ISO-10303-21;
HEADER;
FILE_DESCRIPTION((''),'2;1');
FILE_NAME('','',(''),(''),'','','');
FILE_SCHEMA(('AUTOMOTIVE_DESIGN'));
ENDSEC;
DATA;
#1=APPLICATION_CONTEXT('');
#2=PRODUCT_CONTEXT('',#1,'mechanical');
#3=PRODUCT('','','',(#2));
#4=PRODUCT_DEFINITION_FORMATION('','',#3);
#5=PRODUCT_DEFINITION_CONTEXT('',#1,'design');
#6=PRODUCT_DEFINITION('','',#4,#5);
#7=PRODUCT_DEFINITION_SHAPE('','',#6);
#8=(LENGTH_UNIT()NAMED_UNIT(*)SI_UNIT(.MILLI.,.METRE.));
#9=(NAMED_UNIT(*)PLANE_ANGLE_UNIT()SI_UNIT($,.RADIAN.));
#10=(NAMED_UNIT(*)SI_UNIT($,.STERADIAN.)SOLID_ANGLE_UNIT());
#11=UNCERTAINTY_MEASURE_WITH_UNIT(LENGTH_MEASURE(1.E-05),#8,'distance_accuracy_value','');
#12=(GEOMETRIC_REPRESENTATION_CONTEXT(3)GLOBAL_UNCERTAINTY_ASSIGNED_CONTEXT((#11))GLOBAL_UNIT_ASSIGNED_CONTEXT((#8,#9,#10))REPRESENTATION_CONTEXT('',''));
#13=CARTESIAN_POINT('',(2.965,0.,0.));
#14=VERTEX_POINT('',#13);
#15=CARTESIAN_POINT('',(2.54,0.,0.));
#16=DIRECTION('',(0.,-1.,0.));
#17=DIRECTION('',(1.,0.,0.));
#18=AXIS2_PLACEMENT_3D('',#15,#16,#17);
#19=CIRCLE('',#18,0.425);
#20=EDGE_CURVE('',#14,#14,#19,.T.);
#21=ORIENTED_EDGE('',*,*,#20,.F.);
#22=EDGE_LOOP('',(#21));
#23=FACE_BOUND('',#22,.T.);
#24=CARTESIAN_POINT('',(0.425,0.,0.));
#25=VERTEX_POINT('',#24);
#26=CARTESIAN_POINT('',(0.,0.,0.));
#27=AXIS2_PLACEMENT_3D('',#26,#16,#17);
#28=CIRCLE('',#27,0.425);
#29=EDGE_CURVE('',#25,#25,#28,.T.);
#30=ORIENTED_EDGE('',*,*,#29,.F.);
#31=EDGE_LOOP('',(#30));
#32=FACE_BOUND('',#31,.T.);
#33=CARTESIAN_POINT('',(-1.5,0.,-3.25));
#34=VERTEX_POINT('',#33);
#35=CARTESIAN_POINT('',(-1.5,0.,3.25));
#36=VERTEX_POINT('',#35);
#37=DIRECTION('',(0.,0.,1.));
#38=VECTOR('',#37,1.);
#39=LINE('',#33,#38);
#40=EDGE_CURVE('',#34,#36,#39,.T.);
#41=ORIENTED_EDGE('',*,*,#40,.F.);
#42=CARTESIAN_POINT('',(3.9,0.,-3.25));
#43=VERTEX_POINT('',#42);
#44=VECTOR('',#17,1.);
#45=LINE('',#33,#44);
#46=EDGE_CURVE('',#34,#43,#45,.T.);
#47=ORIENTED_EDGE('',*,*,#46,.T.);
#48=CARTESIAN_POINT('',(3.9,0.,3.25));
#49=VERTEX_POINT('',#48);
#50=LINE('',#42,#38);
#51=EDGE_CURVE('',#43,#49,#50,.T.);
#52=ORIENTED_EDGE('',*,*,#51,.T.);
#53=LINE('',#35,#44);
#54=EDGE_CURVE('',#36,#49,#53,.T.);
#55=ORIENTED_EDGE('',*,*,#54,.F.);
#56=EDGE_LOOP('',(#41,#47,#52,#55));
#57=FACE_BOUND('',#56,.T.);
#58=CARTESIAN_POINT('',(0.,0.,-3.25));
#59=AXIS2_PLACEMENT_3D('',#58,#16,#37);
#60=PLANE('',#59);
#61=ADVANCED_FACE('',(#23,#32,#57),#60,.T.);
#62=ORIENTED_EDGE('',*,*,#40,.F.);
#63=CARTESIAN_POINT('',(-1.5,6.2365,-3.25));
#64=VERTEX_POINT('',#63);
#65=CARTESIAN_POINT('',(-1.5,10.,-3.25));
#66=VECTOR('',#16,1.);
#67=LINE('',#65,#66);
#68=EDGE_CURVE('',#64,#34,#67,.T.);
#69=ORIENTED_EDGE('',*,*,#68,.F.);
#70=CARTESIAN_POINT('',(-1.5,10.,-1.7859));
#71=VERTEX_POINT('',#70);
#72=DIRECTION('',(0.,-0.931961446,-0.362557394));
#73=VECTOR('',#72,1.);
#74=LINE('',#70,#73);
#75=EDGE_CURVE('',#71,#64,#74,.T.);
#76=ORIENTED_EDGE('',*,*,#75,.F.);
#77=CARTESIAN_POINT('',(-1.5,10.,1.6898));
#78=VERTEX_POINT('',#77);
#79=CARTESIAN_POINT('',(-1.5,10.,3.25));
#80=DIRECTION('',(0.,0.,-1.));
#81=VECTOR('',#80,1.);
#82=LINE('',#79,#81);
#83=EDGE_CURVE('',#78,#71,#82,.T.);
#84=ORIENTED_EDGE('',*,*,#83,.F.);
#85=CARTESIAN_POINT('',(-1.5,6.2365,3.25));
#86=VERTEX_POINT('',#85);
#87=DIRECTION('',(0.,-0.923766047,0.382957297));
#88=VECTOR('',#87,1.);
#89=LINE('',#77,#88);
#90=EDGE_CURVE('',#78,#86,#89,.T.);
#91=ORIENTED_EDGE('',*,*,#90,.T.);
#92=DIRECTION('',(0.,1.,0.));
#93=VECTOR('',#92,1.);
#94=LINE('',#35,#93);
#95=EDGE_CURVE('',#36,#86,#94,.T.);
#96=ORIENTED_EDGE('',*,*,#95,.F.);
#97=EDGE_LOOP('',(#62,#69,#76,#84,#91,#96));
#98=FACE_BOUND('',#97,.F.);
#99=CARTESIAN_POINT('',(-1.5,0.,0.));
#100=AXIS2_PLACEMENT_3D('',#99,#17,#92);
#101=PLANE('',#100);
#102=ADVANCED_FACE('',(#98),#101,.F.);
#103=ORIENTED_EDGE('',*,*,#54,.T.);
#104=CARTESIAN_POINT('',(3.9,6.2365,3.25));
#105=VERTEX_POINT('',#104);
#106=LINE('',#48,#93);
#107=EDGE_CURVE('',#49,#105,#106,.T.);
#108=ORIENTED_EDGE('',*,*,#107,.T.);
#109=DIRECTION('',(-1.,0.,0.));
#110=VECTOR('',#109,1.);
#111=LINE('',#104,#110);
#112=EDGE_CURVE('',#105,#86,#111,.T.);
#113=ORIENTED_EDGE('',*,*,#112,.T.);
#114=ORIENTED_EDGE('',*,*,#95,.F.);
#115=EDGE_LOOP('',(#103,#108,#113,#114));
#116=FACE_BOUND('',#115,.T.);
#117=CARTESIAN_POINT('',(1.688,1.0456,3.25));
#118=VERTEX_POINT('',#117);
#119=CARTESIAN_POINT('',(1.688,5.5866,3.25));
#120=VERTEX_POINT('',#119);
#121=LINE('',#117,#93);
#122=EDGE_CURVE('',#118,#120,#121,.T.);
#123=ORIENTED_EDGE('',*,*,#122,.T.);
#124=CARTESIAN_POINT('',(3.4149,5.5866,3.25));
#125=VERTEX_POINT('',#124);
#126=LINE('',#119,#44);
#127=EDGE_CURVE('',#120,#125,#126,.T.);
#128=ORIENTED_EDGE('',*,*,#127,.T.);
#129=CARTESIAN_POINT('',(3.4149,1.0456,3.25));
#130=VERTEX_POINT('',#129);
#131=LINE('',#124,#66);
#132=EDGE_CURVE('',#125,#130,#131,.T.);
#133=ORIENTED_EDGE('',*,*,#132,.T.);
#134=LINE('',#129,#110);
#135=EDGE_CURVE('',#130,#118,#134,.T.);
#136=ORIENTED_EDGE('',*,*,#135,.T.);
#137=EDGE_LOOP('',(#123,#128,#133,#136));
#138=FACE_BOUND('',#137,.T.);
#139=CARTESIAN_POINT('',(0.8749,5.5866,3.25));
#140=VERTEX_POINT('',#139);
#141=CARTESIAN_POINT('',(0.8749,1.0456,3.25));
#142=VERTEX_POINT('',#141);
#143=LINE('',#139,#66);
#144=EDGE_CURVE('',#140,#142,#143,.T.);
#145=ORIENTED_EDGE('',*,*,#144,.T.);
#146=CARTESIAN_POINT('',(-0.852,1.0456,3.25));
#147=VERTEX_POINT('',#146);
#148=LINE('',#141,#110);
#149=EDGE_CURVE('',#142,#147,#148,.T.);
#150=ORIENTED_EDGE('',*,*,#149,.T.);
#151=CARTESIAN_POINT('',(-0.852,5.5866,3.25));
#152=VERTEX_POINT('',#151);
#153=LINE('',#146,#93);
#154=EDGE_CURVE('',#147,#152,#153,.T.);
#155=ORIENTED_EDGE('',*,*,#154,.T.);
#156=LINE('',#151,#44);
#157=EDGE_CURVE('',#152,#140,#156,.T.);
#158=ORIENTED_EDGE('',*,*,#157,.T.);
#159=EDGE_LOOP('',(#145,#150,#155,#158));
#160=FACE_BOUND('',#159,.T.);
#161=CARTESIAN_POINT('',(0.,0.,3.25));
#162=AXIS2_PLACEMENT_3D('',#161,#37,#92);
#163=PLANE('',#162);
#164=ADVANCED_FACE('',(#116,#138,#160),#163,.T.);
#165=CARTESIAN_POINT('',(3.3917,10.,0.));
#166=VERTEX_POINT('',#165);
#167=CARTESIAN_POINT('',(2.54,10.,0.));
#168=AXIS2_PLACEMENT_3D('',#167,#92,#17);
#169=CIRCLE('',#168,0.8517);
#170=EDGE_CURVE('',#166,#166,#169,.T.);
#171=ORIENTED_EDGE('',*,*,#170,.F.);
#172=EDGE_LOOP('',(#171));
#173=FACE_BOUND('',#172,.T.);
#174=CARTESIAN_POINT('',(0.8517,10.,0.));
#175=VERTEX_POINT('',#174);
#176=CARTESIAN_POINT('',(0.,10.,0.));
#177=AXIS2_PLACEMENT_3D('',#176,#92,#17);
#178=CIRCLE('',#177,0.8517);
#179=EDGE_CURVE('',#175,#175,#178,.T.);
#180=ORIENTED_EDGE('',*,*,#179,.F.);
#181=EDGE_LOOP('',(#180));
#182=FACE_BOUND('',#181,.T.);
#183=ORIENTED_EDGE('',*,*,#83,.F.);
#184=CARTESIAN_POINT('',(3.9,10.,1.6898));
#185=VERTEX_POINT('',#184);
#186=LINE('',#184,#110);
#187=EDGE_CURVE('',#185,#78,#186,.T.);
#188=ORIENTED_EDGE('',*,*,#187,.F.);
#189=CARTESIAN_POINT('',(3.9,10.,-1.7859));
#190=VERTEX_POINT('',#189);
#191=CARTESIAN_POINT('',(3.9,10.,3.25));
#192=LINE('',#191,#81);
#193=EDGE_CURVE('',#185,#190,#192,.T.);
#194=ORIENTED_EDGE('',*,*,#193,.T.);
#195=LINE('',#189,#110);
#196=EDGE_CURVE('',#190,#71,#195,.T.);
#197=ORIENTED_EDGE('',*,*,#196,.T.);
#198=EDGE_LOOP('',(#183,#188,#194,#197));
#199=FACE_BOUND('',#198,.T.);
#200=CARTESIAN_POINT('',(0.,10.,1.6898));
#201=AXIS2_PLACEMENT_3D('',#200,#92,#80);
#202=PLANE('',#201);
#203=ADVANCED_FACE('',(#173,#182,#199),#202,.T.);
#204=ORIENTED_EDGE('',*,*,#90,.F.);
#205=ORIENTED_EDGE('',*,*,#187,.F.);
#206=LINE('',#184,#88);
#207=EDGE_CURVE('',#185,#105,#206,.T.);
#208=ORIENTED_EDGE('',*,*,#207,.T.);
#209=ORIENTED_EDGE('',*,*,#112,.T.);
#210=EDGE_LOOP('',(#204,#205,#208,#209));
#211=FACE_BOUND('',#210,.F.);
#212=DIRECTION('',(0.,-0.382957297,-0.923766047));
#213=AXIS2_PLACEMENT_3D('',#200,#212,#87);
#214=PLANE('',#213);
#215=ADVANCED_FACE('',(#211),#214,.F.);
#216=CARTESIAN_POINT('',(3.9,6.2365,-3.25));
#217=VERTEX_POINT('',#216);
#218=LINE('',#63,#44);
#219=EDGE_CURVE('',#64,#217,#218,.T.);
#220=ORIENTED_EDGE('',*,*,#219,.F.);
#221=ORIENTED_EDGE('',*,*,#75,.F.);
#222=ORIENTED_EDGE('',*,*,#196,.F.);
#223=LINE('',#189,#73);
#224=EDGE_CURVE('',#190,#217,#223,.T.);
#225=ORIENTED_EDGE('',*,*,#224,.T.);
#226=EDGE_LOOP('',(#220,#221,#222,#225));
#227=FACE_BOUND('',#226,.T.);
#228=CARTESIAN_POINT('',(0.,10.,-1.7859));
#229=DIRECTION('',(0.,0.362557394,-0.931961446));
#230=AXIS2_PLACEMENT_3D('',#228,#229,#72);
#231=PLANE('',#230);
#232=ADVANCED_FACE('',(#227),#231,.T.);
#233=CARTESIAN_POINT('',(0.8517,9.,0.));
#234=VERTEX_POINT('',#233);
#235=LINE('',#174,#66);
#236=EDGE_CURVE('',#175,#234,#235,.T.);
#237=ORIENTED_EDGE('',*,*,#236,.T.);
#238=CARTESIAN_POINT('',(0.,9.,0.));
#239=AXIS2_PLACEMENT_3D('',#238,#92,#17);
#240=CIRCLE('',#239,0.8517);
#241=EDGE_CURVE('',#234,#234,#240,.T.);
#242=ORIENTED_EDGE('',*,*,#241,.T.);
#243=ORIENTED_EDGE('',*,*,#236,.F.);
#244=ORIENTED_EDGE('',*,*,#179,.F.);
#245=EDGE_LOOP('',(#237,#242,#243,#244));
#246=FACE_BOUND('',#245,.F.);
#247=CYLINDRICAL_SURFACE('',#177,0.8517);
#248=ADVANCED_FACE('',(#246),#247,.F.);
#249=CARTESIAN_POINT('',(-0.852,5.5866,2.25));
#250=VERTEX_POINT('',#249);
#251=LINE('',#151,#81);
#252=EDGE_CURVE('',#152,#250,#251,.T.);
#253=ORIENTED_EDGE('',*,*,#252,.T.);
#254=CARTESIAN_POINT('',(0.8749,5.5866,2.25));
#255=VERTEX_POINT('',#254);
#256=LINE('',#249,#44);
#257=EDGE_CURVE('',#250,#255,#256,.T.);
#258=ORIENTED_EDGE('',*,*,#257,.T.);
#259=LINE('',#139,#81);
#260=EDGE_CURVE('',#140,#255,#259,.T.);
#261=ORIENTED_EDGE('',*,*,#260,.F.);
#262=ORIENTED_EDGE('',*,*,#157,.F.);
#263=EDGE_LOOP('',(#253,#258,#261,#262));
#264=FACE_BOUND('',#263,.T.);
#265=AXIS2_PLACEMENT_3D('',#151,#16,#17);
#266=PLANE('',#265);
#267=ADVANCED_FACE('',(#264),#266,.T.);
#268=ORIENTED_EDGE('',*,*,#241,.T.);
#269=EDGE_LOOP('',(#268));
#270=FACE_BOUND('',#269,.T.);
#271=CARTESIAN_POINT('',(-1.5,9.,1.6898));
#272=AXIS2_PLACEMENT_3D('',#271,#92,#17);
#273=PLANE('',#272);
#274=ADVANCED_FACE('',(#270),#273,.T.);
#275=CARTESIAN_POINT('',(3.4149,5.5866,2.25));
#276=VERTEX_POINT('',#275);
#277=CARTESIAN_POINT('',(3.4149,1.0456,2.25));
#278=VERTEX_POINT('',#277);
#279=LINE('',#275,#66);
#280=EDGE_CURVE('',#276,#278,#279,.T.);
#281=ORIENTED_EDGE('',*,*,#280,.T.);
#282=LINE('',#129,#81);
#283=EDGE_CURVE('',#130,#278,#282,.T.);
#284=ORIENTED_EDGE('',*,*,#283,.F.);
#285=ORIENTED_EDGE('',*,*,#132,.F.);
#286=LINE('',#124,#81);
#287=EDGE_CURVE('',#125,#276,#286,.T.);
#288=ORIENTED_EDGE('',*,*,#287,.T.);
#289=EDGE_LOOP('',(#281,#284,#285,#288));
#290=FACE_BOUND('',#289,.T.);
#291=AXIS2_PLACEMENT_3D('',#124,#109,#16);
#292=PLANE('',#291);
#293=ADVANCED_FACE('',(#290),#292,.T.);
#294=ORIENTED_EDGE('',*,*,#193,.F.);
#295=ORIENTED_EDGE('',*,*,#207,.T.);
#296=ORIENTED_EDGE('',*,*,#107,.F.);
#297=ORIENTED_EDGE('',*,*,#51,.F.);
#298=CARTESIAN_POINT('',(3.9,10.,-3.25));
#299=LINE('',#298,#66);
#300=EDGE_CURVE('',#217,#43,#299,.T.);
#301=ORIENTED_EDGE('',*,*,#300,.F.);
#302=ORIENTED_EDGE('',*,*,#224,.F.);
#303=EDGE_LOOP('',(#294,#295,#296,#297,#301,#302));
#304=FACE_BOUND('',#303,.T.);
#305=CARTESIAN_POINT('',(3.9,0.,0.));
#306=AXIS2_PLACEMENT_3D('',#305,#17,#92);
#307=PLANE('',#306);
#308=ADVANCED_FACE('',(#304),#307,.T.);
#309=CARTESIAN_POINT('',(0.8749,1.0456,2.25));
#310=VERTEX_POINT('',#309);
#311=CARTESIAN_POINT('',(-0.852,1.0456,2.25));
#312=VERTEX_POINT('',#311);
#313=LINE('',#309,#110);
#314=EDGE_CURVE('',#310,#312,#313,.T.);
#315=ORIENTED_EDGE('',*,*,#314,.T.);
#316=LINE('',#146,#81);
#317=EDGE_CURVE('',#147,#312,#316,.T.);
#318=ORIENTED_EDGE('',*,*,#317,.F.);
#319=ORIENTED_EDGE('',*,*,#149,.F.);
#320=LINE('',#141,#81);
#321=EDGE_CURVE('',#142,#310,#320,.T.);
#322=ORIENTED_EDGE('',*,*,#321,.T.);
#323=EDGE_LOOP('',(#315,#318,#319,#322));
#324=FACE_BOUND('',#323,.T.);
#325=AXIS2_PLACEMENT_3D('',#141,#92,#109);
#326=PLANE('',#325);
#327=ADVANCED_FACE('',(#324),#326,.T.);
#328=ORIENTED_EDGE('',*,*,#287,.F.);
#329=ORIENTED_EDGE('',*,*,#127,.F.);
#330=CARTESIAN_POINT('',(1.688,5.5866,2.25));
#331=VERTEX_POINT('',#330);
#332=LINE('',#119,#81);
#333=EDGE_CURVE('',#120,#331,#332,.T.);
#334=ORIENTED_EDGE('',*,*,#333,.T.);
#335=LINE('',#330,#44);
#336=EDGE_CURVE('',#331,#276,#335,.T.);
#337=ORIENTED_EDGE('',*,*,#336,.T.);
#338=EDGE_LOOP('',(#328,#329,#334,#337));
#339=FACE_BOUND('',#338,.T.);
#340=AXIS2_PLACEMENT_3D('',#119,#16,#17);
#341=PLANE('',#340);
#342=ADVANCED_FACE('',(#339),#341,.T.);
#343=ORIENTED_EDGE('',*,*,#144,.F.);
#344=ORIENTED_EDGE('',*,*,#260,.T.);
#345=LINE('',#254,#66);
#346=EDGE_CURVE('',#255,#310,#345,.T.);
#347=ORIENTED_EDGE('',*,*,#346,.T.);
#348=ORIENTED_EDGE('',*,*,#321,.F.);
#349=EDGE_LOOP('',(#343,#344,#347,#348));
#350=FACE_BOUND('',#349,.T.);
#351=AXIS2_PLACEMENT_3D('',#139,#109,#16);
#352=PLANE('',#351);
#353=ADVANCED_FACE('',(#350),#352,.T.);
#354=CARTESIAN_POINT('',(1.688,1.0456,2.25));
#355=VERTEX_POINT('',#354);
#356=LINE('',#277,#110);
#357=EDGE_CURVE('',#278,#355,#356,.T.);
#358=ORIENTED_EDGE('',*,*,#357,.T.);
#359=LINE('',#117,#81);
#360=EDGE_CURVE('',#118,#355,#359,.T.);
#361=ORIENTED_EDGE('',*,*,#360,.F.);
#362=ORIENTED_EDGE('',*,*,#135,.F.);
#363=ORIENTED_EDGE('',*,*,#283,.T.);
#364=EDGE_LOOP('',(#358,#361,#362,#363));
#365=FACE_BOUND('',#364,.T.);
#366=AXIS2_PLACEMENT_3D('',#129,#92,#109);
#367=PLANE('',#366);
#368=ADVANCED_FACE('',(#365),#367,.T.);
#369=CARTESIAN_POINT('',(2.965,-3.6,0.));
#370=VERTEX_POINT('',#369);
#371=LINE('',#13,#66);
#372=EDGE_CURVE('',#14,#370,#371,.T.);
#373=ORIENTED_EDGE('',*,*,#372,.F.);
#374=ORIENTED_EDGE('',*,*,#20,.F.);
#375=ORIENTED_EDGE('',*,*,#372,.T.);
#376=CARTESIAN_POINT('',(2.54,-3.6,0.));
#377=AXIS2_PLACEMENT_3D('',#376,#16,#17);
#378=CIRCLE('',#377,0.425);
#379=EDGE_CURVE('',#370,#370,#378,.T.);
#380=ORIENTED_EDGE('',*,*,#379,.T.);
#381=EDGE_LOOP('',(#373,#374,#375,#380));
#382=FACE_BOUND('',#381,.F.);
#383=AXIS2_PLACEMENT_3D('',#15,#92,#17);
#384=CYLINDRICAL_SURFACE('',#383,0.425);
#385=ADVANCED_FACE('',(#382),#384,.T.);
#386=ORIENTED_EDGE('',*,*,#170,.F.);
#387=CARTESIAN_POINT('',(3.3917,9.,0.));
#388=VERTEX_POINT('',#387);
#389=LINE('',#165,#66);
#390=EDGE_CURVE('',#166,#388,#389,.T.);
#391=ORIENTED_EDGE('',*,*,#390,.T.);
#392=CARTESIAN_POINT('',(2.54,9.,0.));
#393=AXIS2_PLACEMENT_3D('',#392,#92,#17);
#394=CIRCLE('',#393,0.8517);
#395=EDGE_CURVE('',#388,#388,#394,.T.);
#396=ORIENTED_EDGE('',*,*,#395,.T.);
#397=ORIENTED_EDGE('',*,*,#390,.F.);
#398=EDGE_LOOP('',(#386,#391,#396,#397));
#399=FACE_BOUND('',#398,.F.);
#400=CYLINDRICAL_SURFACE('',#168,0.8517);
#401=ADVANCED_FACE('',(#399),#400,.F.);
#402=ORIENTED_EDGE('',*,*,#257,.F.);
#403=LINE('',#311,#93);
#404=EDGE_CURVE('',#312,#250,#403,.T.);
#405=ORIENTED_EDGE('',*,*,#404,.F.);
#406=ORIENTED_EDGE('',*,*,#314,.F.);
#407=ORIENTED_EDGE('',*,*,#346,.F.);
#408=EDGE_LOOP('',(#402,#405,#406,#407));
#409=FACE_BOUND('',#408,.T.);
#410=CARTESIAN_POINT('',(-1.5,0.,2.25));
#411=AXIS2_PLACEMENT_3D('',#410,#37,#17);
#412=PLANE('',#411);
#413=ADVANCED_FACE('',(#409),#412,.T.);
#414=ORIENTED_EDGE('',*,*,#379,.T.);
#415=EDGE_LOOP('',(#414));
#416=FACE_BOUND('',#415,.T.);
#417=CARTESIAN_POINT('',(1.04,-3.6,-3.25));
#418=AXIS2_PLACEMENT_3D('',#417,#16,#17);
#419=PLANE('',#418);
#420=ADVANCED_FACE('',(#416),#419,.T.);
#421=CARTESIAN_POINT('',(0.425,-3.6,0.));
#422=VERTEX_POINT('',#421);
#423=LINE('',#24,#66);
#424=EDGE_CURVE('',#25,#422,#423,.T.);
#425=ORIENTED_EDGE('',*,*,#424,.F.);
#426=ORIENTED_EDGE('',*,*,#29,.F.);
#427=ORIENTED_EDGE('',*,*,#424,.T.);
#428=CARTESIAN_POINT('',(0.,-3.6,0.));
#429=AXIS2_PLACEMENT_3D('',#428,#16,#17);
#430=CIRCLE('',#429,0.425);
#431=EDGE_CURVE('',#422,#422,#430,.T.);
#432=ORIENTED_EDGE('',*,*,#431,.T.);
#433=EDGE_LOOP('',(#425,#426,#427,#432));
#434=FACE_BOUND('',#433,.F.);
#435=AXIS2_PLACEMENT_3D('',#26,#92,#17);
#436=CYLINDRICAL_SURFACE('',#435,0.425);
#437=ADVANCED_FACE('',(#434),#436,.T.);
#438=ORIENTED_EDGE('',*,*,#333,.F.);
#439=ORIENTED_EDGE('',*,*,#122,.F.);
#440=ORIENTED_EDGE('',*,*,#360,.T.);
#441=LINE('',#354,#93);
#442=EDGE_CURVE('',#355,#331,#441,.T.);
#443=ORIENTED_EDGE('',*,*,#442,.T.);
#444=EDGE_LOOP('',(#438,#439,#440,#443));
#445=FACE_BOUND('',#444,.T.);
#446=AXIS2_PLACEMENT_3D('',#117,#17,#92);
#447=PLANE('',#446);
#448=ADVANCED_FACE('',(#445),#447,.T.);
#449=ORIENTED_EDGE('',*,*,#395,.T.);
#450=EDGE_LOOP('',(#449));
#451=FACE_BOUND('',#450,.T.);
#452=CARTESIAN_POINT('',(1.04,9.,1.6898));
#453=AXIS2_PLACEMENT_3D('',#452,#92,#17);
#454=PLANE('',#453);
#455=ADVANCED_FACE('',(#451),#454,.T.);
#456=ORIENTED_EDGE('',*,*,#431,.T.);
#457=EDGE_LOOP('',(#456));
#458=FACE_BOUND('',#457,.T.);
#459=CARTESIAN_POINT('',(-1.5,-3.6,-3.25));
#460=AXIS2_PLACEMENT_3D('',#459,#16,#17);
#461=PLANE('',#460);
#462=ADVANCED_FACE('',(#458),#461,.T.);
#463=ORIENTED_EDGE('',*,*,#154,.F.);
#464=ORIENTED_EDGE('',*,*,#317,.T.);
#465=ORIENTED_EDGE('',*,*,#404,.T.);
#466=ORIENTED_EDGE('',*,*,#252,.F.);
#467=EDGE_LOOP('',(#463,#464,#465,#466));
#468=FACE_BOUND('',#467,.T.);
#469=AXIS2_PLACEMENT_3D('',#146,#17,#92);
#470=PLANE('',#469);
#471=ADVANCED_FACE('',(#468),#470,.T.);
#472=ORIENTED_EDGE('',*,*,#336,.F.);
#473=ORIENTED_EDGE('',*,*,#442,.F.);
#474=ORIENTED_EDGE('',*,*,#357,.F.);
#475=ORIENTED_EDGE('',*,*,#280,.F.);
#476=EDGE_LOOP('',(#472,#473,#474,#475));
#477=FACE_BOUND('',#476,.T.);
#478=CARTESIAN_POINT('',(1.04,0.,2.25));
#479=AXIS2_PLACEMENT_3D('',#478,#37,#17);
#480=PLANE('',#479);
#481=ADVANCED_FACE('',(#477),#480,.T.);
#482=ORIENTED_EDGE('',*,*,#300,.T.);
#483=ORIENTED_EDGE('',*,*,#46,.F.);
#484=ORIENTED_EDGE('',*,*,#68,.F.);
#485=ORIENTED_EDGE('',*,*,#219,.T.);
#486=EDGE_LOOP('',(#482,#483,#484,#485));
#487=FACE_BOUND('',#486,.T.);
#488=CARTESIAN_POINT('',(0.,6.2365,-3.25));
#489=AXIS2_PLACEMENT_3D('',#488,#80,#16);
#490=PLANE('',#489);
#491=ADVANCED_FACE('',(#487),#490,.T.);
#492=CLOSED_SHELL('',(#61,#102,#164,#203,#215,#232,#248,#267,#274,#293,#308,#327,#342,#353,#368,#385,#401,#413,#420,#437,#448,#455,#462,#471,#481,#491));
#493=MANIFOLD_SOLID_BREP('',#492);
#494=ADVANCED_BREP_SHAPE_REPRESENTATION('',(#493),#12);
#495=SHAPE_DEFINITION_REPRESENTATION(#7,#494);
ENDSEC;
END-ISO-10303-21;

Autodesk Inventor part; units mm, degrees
ref_plane "YZ Plane" through (0, 0, 0) normal (1, 0, 0) x (0, 1, 0)
ref_plane "XZ Plane" through (0, 0, 0) normal (0, 1, 0) x (-1, 0, 0)
ref_plane "XY Plane" through (0, 0, 0) normal (0, 0, 1) x (1, 0, 0)
sketch "Sketch1" plane through (0, 0, 0) normal (1, 0, 0) x (0, 1, 0)
  line L0 (0, 3.25) -> (10, 3.25)
  line L1 (10, 3.25) -> (10, -3.25)
  line L2 (10, -3.25) -> (0, -3.25)
  line L3 (0, -3.25) -> (0, 3.25)
  line L4 (10, 1.6898) -> (6.2365, 3.25)
  line L5 (10, -1.7859) -> (6.2365, -3.25)
  point P0 (0, 0)
  dimension "d0" = 10
  dimension "d1" = 6.5
  dimension "d2" = 3.25
  dimension "d3" = 0
extrude "Extrusion1" add sketch "Sketch1" along normal blind 3.9 and the other way blind 1.5 contours L0 L4 L1 L5 L2 L3
sketch "Sketch2" plane through (-1.5, 0, -3.25) normal (0, -1, 0) x (1, 0, 0)
  circle A0 centre (1.5, 3.25) radius 0.425
  line L0 (0, 0) -> (0, 6.5) projected
  dimension "d7" = 0.85
  dimension "d12" = 1.5
extrude "Extrusion2" add sketch "Sketch2" along normal blind 3.6
sketch "Sketch3" plane through (-1.5, 10, 1.6898) normal (0, 1, 0) x (1, 0, 0)
  circle A0 centre (1.5, 1.6898) radius 0.8517
extrude "Extrusion3" cut sketch "Sketch3" against normal blind 1
sketch "Sketch4" plane through (-1.5, 0, 3.25) normal (0, 0, 1) x (1, 0, 0)
  line L0 (0.648, 5.5866) -> (2.3749, 5.5866)
  line L1 (2.3749, 5.5866) -> (2.3749, 1.0456)
  line L2 (2.3749, 1.0456) -> (0.648, 1.0456)
  line L3 (0.648, 1.0456) -> (0.648, 5.5866)
  point P0 (1.5, 0)
extrude "Extrusion4" cut sketch "Sketch4" against normal blind 1
pattern_linear "Rectangular Pattern1" count 2 spacing 2.54 along (1, 0, 0) of "Extrusion4", "Extrusion3", "Extrusion2"
properties part number "Screw_Terminal_2Pos"
